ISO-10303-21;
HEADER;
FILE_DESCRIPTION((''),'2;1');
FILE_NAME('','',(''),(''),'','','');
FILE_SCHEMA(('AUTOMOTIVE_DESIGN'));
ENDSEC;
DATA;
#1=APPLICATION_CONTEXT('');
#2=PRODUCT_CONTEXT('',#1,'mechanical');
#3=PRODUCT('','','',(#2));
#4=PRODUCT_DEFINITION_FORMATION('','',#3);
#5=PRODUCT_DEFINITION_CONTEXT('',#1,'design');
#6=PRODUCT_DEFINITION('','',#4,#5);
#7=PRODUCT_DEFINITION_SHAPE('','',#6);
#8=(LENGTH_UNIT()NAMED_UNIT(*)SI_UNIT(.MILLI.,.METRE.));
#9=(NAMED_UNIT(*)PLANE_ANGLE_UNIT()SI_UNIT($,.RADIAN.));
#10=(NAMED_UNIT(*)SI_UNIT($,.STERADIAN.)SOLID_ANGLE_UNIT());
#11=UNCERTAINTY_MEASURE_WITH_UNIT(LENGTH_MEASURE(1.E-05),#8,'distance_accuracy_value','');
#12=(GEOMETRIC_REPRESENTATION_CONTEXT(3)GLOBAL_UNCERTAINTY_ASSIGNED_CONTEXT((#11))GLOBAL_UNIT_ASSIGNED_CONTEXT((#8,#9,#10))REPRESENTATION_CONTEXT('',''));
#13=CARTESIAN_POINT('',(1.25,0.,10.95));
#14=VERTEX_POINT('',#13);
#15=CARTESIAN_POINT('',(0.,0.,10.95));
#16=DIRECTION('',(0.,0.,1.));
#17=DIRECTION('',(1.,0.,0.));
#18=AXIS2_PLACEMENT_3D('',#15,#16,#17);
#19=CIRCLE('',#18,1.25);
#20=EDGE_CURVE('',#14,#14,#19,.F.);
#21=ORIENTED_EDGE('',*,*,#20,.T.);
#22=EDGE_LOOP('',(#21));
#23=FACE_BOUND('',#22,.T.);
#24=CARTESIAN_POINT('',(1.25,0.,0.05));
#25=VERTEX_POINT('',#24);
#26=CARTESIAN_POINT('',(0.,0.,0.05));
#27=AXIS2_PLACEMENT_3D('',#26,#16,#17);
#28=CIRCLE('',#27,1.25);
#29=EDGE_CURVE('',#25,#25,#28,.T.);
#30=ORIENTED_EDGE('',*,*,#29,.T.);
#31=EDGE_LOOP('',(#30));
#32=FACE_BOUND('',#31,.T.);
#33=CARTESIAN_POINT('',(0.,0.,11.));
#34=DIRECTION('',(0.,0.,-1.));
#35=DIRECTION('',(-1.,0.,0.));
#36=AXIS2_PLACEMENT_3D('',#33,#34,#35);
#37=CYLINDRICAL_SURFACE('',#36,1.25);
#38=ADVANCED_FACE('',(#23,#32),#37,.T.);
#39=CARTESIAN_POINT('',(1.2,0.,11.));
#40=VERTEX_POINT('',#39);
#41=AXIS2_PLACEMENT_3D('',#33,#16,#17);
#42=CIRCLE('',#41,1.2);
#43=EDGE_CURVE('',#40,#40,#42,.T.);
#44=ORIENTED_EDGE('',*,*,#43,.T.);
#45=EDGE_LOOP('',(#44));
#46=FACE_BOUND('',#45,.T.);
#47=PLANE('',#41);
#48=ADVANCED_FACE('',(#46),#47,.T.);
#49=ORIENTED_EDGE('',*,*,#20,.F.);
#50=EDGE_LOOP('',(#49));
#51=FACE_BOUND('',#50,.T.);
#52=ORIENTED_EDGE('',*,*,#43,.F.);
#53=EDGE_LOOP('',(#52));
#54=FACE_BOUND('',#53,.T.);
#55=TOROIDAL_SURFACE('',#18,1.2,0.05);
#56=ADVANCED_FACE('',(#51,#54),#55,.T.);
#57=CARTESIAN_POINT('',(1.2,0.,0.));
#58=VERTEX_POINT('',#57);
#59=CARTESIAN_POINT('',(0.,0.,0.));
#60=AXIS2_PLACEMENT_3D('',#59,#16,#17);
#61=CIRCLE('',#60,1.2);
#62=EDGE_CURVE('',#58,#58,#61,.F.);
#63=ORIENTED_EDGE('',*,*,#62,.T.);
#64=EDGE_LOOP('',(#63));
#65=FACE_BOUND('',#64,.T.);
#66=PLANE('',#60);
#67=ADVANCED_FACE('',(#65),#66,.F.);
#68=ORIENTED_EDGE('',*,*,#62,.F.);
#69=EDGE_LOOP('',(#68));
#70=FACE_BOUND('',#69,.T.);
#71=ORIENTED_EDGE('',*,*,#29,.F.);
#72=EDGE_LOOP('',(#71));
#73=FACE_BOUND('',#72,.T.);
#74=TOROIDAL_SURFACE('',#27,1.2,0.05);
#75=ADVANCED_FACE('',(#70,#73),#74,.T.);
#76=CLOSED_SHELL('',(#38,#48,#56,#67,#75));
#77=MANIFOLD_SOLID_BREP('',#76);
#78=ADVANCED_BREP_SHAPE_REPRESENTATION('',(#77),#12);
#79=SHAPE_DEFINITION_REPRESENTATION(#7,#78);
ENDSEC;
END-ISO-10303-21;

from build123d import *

# Parameters (mm, degrees)
SKETCH1_R           = 1.25
BOSS_EXTRUDE1_DEPTH = 11
FILLET1_R           = 0.05


with BuildPart() as part:
    # Sketch1 → Boss-Extrude1 (new body)
    with BuildSketch(Plane.XY):
        Circle(SKETCH1_R)
    extrude(amount=BOSS_EXTRUDE1_DEPTH)

    # Fillet1
    fillet1_edges = [part.edges().sort_by_distance(p)[0] for p in [
        (-1.25, 0, 0),
        (-1.25, 0, 11),
    ]]
    fillet(fillet1_edges, radius=FILLET1_R)


solid = part.part
